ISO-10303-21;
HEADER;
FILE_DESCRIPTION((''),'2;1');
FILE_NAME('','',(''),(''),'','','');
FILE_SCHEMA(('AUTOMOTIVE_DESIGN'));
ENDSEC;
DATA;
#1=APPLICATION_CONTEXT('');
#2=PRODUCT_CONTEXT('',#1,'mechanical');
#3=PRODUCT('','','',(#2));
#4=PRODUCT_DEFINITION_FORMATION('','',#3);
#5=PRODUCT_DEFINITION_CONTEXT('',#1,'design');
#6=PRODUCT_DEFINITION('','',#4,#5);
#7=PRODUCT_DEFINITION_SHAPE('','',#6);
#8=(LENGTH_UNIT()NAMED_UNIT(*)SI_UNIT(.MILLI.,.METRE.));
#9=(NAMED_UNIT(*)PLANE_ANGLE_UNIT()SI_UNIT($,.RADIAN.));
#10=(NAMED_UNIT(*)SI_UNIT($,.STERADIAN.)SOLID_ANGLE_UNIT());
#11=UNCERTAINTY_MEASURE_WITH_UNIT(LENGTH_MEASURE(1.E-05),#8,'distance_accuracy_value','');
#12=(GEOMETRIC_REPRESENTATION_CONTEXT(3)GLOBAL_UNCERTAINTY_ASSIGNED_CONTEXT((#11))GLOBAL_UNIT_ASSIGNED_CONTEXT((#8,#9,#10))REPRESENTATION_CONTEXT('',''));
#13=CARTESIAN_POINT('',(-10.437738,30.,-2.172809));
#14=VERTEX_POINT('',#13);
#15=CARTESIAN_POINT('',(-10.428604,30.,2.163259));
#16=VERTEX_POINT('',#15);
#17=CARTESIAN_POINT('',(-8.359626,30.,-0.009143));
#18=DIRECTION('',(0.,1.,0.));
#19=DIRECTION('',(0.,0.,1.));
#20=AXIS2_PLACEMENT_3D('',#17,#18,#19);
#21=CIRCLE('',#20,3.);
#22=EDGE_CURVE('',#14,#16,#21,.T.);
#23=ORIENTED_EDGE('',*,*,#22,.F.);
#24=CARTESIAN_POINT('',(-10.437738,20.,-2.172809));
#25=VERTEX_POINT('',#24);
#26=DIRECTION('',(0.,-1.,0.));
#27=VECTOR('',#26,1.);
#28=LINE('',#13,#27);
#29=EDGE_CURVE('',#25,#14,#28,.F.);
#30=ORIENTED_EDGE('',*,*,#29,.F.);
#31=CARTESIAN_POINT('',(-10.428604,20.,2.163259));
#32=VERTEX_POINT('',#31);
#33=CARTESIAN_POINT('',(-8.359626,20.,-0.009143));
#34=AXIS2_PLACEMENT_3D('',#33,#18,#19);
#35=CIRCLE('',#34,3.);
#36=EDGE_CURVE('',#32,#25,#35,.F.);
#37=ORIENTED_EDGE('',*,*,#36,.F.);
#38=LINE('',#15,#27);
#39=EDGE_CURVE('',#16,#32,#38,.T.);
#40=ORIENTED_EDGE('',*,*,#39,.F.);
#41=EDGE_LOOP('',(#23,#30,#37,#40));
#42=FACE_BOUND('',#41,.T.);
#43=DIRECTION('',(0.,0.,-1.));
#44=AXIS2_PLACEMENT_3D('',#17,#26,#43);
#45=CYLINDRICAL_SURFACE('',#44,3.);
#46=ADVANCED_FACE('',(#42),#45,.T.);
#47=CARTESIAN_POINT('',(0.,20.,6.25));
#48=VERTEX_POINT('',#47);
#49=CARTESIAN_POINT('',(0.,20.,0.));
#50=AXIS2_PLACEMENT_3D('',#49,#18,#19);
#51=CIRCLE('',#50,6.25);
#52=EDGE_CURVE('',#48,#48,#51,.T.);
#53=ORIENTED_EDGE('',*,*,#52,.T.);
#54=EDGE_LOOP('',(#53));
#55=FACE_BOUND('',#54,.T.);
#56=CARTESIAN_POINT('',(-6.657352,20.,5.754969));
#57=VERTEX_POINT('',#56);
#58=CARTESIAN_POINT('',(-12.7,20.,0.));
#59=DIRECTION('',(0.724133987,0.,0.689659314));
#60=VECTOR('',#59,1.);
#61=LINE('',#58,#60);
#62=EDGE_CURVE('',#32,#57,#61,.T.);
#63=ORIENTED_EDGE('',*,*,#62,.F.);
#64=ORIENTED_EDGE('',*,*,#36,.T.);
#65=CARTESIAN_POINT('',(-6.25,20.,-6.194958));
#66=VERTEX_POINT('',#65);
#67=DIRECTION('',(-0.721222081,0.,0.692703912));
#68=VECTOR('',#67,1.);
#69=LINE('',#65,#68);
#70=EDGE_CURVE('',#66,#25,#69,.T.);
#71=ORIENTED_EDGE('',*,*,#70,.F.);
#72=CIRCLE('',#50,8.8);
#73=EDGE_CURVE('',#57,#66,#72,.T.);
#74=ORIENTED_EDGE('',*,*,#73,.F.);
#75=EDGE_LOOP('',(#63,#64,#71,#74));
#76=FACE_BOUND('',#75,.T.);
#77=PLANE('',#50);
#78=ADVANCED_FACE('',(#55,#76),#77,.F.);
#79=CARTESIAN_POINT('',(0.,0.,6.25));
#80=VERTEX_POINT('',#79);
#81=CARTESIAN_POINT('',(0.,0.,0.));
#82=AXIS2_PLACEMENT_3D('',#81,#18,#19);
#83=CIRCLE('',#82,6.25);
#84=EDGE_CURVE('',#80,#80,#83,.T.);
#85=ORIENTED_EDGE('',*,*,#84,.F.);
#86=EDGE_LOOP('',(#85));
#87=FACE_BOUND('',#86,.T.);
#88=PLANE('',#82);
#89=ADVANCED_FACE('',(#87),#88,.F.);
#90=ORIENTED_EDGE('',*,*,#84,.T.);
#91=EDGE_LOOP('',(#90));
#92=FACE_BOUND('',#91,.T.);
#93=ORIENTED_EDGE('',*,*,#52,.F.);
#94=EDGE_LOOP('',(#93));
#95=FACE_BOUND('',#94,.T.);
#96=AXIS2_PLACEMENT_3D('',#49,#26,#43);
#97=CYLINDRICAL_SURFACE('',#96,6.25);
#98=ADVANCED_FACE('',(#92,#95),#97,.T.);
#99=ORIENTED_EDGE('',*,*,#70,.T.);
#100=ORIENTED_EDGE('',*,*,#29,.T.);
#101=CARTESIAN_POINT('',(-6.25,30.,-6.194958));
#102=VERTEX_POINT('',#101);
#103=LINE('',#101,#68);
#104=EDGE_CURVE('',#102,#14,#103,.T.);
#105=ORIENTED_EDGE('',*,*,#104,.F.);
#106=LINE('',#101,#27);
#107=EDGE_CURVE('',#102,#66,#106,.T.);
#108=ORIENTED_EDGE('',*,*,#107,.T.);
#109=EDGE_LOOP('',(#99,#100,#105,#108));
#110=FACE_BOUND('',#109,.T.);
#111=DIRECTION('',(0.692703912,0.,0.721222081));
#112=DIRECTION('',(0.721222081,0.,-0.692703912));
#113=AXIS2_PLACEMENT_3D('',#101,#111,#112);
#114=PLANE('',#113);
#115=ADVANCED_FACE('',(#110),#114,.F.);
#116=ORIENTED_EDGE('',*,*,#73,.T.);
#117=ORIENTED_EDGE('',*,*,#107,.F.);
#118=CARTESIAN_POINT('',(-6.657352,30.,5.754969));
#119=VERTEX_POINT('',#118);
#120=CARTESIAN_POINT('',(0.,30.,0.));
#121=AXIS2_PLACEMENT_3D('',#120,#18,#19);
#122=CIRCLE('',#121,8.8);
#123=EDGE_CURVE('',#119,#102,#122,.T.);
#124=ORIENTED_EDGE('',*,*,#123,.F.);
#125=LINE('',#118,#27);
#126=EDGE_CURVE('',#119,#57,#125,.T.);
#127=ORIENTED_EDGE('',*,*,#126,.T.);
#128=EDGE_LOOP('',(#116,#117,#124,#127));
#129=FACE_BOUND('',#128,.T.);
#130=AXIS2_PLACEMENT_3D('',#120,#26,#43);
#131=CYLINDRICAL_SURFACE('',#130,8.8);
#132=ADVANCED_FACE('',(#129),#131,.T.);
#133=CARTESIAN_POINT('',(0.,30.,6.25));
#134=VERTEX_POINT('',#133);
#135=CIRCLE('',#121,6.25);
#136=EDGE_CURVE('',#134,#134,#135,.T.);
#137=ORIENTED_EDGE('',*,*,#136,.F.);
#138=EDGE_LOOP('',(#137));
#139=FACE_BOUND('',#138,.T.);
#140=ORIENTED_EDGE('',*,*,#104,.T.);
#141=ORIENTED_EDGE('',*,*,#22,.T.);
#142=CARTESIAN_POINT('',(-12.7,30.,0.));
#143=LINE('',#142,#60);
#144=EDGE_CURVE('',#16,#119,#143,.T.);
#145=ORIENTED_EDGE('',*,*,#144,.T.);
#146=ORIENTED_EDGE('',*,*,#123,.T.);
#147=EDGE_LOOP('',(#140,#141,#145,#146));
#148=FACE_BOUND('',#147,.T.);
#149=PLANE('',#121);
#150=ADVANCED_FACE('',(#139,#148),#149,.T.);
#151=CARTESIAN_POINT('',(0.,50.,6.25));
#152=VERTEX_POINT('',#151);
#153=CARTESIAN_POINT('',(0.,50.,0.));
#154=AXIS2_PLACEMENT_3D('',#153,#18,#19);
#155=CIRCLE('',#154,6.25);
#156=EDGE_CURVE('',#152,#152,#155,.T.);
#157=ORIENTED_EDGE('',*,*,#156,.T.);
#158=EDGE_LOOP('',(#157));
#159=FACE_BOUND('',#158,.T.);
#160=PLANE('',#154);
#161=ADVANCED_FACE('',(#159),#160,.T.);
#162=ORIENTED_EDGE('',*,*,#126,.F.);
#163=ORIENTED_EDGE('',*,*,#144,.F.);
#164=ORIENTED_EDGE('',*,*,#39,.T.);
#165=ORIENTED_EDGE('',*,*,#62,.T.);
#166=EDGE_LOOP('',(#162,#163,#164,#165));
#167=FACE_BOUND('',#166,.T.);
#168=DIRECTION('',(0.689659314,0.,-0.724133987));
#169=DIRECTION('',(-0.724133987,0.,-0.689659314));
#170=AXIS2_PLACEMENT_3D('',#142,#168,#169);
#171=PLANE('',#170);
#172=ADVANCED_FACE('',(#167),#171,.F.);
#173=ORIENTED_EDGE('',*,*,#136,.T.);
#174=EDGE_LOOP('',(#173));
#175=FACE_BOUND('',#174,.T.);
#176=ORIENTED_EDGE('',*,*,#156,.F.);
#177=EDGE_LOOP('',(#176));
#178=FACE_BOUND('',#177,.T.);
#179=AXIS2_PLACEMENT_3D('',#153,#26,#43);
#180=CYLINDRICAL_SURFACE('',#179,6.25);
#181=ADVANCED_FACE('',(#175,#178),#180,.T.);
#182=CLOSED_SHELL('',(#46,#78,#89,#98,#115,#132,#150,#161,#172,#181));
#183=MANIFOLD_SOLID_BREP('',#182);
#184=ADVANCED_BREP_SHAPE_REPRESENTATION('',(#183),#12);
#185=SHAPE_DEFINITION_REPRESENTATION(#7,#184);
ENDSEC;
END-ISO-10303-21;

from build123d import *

# Parameters (mm, degrees)
SCHIZZO1_R                   = 6.25
ESTRUSIONE_ESTRUSIONE1_DEPTH = 20
ESTRUSIONE_ESTRUSIONE2_DEPTH = 10
RACCORDO1_R                  = 3
SCHIZZO3_R                   = 6.25
ESTRUSIONE_ESTRUSIONE3_DEPTH = 20


with BuildPart() as part:
    # Schizzo1 → Estrusione-Estrusione1 (new body)
    with BuildSketch(Plane(origin=(0, 0, 0), x_dir=(1, 0, 0), z_dir=(0, 1, 0))):
        with Locations(Location((0, 0, 0), (0, 0, 270))):
            Circle(SCHIZZO1_R)
    extrude(amount=ESTRUSIONE_ESTRUSIONE1_DEPTH)

    # Schizzo2 → Estrusione-Estrusione2 (add)
    with BuildSketch(Plane(origin=(0, 20, 0), x_dir=(1, 0, 0), z_dir=(0, 1, 0))):
        with BuildLine():
            Line((-6.25, 6.194957627), (-12.7, 0))
            Line((-12.7, 0), (-6.657351546, -5.754969192))
            ThreePointArc((-6.657351546, -5.754969192), (8.794891627, -0.299802062), (-6.25, 6.194957627))
        make_face()
    extrude(amount=ESTRUSIONE_ESTRUSIONE2_DEPTH)

    # Raccordo1
    raccordo1_edges = [part.edges().sort_by_distance(p)[0] for p in [
        (-12.7, 25, 0),
    ]]
    fillet(raccordo1_edges, radius=RACCORDO1_R)

    # Schizzo3 → Estrusione-Estrusione3 (add)
    with BuildSketch(Plane(origin=(0, 30, 0), x_dir=(1, 0, 0), z_dir=(0, 1, 0))):
        with Locations(Location((0, 0, 0), (0, 0, 270))):
            Circle(SCHIZZO3_R)
    extrude(amount=ESTRUSIONE_ESTRUSIONE3_DEPTH)


solid = part.part
